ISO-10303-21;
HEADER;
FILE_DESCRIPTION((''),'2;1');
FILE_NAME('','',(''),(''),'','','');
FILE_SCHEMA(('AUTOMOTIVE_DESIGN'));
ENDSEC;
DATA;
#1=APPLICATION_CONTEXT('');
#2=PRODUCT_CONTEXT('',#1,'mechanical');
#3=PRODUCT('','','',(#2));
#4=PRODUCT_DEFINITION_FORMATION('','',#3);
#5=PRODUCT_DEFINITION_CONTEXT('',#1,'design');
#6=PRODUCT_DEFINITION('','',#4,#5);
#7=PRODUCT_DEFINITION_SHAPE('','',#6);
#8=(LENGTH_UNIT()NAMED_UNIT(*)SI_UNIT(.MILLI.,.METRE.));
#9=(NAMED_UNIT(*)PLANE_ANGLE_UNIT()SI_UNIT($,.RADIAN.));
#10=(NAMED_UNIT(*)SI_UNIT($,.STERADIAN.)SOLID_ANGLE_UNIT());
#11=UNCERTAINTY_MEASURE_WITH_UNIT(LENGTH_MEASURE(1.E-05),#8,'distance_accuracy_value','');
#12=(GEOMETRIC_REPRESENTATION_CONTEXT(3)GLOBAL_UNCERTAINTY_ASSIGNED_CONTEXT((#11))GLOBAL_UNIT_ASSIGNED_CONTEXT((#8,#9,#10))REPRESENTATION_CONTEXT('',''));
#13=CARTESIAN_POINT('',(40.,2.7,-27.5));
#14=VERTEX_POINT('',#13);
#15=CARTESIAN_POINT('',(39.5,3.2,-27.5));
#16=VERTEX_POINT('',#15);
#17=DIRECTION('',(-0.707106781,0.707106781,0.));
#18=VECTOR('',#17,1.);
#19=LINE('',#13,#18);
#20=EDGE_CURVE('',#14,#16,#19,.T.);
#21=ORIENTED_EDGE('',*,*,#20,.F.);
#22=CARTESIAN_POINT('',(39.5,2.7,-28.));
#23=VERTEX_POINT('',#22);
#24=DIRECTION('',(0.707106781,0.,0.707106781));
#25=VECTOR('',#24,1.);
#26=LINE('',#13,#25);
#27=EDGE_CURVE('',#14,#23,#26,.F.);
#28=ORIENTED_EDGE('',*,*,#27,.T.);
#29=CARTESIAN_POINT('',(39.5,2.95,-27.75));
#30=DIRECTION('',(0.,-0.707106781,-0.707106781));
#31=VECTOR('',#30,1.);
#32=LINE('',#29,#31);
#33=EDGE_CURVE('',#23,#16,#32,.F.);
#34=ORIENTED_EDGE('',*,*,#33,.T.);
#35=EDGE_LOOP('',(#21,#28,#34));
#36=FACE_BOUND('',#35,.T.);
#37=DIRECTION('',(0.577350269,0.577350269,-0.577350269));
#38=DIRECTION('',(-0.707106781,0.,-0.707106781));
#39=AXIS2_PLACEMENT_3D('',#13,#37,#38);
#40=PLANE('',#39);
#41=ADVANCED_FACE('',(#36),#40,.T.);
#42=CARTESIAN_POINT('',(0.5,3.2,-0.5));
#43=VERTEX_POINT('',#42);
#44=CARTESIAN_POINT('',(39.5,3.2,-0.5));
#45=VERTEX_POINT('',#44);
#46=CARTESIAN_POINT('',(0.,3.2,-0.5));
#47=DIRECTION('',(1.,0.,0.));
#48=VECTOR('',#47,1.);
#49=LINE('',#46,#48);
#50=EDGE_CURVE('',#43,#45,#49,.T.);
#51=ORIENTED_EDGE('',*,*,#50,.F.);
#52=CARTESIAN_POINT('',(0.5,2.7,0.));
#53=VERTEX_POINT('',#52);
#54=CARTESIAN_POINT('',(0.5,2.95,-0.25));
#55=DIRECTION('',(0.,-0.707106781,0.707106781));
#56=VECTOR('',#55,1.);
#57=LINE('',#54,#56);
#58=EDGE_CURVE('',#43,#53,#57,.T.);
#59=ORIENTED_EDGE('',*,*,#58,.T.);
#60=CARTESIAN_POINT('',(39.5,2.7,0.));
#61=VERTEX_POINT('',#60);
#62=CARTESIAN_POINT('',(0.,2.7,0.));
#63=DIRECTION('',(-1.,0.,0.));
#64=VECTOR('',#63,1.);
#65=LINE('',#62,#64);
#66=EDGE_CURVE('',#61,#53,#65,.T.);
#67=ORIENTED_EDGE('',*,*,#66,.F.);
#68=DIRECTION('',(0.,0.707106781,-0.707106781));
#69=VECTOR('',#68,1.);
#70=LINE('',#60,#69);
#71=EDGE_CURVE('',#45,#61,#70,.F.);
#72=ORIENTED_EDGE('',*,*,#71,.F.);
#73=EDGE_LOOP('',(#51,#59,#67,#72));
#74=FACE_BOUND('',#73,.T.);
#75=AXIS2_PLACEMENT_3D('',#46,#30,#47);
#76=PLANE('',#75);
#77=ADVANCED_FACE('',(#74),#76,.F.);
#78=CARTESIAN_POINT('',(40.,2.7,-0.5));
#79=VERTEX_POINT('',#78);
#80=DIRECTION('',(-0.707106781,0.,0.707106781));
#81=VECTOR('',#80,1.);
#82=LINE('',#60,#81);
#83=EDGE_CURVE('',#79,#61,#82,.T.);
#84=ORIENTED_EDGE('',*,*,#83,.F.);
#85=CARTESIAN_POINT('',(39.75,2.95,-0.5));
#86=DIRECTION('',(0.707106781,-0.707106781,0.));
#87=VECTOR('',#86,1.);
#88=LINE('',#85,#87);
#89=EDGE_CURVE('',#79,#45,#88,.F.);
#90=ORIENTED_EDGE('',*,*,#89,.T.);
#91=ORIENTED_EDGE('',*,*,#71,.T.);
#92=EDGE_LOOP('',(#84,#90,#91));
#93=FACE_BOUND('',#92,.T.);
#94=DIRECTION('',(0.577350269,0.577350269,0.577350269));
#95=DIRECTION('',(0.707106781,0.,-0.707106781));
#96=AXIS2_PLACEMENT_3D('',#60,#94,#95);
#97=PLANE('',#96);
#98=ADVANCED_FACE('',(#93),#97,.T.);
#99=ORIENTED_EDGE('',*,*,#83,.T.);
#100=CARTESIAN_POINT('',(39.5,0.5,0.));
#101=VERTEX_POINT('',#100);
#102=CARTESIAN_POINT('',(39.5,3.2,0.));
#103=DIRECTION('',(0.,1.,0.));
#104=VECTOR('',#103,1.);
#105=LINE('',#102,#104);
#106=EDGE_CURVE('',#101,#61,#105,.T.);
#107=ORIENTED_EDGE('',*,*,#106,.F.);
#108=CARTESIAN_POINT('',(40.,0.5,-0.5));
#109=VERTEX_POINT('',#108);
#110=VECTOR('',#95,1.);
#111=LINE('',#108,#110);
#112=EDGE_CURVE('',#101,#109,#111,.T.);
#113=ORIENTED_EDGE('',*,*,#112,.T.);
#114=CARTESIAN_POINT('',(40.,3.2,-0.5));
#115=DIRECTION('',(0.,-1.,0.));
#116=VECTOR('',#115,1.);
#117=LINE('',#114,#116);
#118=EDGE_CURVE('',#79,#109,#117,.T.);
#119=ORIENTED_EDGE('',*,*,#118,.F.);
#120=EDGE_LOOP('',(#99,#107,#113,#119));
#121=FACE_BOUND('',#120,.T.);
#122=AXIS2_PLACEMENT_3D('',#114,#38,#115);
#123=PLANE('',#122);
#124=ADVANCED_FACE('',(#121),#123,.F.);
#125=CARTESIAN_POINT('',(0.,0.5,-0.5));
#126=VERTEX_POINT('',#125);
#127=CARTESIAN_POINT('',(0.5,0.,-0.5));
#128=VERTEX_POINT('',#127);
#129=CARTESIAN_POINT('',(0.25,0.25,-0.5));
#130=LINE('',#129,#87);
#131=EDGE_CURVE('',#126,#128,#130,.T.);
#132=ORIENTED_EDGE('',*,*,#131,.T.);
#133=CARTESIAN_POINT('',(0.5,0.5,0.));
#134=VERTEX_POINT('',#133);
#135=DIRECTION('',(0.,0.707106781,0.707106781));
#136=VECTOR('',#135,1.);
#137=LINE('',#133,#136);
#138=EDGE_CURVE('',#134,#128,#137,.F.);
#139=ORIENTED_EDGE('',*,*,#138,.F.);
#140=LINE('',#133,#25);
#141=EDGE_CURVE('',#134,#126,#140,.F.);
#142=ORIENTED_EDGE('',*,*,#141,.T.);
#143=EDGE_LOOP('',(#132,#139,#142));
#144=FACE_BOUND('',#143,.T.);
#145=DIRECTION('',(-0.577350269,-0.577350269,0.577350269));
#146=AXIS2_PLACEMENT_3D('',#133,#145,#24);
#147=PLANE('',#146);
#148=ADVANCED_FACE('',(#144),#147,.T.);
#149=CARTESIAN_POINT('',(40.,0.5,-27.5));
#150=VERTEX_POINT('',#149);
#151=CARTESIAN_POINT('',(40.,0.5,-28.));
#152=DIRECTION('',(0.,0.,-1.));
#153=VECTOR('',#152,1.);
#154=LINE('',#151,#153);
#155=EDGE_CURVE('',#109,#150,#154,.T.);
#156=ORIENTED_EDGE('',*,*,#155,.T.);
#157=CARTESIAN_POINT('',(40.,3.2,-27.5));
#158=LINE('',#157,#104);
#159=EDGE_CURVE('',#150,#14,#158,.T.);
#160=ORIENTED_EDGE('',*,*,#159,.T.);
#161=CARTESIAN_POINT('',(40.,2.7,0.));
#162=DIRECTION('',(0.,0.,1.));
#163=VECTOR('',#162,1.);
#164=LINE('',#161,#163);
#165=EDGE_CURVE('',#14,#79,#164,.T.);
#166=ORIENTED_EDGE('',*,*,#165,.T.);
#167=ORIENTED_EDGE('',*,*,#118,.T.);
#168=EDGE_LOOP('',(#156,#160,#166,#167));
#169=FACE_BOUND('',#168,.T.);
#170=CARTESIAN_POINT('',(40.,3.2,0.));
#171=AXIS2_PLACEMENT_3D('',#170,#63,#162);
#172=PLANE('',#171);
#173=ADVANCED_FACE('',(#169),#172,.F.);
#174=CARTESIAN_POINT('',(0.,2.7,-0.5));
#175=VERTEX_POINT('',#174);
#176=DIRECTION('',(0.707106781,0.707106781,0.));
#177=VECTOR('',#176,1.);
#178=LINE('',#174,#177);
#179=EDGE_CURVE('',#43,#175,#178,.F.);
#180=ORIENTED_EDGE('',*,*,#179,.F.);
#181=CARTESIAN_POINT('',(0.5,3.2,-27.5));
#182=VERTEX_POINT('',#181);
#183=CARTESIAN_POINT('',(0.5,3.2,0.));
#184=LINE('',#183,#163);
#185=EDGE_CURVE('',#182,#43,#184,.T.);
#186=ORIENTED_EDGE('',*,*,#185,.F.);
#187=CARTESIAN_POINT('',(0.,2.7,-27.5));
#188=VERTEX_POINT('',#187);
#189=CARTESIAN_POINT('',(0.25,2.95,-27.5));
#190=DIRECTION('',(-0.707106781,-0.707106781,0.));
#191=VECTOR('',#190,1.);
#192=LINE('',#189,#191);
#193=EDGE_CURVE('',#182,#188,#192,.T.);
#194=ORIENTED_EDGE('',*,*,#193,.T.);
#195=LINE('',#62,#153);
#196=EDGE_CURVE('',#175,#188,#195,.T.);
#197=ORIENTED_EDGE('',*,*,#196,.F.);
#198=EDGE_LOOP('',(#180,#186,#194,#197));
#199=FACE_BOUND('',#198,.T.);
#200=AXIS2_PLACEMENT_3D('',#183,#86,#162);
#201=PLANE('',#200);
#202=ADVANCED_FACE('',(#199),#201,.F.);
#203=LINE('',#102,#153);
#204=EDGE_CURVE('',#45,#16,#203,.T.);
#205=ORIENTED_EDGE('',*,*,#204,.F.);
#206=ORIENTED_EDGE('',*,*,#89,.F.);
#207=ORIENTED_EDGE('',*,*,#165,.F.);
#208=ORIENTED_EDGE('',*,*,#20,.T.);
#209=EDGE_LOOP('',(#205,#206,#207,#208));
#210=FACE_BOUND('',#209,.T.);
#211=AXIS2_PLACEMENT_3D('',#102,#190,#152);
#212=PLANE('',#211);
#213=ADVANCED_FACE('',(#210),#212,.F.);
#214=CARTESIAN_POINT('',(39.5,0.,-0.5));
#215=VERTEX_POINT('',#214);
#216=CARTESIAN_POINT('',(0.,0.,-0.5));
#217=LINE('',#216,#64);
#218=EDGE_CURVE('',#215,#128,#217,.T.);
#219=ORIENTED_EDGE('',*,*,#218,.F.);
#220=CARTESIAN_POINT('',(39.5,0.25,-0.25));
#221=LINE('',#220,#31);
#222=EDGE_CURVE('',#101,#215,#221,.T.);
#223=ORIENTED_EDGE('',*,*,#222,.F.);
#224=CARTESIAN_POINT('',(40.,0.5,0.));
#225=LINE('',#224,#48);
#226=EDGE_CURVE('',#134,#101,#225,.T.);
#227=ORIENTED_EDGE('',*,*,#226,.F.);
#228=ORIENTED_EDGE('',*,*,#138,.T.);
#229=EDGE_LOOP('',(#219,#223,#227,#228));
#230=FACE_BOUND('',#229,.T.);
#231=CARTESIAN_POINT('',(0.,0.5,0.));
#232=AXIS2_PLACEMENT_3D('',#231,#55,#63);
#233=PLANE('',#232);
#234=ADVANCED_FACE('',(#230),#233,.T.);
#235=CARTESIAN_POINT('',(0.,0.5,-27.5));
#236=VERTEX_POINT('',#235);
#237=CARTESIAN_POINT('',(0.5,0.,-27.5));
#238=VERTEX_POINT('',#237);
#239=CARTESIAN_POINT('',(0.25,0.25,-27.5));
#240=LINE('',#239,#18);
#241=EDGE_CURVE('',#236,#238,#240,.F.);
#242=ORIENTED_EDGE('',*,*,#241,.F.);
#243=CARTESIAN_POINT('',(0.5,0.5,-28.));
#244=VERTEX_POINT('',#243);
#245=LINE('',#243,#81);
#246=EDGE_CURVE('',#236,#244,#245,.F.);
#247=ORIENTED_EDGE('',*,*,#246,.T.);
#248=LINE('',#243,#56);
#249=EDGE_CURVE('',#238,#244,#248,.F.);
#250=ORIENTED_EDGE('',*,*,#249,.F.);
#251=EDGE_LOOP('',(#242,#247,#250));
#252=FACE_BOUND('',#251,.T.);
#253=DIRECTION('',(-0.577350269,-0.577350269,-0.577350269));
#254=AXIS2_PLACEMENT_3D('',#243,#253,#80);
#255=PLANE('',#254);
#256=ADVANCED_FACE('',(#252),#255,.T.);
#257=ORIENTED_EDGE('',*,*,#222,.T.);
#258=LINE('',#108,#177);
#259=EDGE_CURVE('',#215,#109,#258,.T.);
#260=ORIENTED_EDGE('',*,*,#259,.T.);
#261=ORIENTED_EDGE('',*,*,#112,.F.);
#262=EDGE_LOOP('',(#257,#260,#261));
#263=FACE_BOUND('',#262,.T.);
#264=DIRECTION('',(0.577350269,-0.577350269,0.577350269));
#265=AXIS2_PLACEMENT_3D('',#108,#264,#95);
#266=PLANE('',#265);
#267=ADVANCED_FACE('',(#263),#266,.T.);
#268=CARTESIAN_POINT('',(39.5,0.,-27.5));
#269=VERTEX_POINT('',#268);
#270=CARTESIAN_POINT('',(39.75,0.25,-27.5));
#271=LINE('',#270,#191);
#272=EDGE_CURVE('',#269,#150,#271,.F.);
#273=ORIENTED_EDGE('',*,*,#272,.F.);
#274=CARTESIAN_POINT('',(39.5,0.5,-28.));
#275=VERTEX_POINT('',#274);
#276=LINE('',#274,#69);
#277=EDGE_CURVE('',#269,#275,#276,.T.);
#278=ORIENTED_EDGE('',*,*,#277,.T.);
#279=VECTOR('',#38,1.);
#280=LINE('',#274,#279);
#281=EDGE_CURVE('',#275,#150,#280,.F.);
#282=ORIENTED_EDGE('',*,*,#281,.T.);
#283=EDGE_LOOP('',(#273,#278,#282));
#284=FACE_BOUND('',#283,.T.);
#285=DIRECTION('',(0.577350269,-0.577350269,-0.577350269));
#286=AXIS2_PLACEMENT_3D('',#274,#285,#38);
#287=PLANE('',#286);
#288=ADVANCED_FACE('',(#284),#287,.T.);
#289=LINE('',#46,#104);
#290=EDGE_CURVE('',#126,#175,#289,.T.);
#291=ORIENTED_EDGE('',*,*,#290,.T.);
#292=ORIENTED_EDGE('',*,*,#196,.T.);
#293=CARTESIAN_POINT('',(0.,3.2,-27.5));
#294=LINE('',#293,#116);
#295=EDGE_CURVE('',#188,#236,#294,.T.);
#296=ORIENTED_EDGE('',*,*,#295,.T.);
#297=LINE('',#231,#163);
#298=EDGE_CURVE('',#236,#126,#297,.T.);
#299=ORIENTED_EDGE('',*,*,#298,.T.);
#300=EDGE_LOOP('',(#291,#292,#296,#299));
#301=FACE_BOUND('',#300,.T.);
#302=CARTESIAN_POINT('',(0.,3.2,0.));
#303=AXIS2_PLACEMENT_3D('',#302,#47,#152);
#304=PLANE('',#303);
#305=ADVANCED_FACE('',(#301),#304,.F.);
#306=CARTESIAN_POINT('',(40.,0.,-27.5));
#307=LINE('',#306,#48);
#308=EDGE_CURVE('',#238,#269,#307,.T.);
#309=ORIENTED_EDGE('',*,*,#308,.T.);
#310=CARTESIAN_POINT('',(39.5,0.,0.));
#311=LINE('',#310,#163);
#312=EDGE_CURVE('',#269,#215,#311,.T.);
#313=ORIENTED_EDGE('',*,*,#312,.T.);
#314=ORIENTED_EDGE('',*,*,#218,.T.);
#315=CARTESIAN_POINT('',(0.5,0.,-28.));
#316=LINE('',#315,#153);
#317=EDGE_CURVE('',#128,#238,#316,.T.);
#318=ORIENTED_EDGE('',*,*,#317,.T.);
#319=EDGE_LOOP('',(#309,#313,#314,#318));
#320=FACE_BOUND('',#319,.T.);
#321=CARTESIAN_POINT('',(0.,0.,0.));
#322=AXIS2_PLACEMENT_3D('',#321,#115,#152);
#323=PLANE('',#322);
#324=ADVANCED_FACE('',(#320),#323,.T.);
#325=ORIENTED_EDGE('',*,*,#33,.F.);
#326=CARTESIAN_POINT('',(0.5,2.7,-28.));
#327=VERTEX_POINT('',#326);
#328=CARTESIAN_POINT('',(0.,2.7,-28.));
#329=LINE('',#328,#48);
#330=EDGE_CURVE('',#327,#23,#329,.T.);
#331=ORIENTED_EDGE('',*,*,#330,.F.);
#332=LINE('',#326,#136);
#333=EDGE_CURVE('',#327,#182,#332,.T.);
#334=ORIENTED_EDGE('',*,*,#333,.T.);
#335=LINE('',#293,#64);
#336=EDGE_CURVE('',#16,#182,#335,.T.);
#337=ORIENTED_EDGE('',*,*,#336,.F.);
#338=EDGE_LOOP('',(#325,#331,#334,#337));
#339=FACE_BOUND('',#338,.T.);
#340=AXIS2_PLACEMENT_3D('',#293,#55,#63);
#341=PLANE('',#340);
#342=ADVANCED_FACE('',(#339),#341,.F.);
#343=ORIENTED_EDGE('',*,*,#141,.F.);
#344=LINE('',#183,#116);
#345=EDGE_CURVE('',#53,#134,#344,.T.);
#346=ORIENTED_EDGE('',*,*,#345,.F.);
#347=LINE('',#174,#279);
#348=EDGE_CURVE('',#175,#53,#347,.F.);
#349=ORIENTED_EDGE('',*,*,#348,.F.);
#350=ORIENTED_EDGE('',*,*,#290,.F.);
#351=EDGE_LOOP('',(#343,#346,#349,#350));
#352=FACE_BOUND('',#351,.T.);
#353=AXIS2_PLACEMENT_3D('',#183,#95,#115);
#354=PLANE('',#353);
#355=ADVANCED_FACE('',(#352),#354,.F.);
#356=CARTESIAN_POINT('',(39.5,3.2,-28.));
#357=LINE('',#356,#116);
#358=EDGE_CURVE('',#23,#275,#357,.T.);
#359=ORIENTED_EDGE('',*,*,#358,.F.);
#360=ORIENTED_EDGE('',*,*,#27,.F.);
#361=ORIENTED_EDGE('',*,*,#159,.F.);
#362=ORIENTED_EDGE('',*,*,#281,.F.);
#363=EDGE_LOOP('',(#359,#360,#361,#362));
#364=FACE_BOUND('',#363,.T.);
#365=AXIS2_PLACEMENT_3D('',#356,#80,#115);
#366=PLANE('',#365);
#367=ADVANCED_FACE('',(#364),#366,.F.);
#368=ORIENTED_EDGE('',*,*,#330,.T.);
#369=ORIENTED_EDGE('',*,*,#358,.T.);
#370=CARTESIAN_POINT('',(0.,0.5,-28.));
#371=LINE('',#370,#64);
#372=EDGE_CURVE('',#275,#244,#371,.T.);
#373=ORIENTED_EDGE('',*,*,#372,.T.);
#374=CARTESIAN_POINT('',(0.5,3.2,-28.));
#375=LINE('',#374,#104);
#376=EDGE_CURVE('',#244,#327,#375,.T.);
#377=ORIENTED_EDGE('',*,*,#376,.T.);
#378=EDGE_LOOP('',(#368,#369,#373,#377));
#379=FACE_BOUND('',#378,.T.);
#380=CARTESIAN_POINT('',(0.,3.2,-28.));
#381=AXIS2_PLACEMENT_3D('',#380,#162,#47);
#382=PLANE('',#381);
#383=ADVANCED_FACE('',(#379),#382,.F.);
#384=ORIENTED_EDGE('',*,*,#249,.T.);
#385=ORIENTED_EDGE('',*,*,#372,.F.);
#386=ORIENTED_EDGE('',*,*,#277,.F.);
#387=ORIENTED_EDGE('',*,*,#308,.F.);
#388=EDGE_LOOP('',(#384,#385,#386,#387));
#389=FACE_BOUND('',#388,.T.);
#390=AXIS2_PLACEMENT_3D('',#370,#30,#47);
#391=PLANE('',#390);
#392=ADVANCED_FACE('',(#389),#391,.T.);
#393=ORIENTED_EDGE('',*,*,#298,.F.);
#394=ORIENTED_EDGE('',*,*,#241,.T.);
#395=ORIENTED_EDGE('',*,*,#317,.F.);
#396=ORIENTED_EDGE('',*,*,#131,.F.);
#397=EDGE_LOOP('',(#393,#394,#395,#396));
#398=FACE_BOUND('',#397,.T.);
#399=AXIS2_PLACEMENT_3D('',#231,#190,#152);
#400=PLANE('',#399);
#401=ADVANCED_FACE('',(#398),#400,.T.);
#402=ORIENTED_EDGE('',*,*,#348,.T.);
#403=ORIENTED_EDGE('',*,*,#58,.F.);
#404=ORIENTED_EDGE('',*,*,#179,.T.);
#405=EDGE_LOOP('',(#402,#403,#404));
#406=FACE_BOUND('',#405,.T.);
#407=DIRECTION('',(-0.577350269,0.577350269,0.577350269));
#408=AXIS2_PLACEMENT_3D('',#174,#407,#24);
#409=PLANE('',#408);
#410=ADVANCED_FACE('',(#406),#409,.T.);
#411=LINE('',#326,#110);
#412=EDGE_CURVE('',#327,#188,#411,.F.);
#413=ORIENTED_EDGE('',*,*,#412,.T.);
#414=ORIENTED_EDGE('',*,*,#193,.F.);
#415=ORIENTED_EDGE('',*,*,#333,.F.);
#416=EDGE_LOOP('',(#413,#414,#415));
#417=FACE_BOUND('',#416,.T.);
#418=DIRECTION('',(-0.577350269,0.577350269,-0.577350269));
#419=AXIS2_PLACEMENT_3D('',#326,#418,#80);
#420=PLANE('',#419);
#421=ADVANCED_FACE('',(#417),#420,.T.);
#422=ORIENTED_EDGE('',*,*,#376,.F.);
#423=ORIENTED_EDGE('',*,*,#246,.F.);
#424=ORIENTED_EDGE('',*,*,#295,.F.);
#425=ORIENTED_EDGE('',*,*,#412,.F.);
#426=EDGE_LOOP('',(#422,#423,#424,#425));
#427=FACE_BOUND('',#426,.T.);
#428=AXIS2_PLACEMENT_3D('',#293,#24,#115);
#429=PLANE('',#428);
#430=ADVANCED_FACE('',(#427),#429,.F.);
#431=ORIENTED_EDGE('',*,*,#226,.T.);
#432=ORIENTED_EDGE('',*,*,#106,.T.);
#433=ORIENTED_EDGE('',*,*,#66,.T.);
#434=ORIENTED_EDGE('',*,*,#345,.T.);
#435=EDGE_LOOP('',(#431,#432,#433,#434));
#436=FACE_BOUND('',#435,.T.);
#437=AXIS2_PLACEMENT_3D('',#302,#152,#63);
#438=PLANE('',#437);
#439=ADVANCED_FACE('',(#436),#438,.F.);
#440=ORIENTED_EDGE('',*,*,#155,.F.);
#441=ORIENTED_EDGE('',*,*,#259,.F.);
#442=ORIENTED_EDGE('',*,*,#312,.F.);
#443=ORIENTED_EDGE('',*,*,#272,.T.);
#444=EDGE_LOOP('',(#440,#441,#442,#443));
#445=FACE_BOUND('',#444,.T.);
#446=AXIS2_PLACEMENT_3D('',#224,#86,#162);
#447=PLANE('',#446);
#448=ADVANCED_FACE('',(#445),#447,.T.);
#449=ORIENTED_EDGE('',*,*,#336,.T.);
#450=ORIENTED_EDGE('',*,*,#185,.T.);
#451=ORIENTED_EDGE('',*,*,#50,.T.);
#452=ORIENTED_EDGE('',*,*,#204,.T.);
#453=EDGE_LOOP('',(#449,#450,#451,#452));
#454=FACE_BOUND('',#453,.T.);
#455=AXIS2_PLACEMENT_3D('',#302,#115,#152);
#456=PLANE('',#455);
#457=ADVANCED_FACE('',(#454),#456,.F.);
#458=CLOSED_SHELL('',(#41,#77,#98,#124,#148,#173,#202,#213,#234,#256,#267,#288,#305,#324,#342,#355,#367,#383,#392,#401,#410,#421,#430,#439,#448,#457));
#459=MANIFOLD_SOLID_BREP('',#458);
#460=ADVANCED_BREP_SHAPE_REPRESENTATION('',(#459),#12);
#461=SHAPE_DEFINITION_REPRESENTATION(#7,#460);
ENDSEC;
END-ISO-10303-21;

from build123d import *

# Parameters (mm, degrees)
SKETCH1_W           = 40
SKETCH1_H           = 28
BOSS_EXTRUDE1_DEPTH = 3.2
CHAMFER1_SIZE       = 0.5


with BuildPart() as part:
    # Sketch1 → Boss-Extrude1 (new body)
    with BuildSketch(Plane(origin=(0, 0, 0), x_dir=(1, 0, 0), z_dir=(0, 1, 0))):
        with Locations((20, 14)):
            Rectangle(SKETCH1_W, SKETCH1_H)
    extrude(amount=BOSS_EXTRUDE1_DEPTH)

    # Chamfer1
    chamfer1_edges = [part.edges().sort_by_distance(p)[0] for p in [
        (40, 3.2, -14),
        (20, 3.2, -28),
        (0, 3.2, -14),
        (20, 0, -28),
        (40, 0, -14),
        (20, 0, 0),
        (0, 0, -14),
        (20, 3.2, 0),
        (0, 1.6, -28),
        (40, 1.6, -28),
        (40, 1.6, 0),
        (0, 1.6, 0),
    ]]
    chamfer(chamfer1_edges, length=CHAMFER1_SIZE)


solid = part.part
